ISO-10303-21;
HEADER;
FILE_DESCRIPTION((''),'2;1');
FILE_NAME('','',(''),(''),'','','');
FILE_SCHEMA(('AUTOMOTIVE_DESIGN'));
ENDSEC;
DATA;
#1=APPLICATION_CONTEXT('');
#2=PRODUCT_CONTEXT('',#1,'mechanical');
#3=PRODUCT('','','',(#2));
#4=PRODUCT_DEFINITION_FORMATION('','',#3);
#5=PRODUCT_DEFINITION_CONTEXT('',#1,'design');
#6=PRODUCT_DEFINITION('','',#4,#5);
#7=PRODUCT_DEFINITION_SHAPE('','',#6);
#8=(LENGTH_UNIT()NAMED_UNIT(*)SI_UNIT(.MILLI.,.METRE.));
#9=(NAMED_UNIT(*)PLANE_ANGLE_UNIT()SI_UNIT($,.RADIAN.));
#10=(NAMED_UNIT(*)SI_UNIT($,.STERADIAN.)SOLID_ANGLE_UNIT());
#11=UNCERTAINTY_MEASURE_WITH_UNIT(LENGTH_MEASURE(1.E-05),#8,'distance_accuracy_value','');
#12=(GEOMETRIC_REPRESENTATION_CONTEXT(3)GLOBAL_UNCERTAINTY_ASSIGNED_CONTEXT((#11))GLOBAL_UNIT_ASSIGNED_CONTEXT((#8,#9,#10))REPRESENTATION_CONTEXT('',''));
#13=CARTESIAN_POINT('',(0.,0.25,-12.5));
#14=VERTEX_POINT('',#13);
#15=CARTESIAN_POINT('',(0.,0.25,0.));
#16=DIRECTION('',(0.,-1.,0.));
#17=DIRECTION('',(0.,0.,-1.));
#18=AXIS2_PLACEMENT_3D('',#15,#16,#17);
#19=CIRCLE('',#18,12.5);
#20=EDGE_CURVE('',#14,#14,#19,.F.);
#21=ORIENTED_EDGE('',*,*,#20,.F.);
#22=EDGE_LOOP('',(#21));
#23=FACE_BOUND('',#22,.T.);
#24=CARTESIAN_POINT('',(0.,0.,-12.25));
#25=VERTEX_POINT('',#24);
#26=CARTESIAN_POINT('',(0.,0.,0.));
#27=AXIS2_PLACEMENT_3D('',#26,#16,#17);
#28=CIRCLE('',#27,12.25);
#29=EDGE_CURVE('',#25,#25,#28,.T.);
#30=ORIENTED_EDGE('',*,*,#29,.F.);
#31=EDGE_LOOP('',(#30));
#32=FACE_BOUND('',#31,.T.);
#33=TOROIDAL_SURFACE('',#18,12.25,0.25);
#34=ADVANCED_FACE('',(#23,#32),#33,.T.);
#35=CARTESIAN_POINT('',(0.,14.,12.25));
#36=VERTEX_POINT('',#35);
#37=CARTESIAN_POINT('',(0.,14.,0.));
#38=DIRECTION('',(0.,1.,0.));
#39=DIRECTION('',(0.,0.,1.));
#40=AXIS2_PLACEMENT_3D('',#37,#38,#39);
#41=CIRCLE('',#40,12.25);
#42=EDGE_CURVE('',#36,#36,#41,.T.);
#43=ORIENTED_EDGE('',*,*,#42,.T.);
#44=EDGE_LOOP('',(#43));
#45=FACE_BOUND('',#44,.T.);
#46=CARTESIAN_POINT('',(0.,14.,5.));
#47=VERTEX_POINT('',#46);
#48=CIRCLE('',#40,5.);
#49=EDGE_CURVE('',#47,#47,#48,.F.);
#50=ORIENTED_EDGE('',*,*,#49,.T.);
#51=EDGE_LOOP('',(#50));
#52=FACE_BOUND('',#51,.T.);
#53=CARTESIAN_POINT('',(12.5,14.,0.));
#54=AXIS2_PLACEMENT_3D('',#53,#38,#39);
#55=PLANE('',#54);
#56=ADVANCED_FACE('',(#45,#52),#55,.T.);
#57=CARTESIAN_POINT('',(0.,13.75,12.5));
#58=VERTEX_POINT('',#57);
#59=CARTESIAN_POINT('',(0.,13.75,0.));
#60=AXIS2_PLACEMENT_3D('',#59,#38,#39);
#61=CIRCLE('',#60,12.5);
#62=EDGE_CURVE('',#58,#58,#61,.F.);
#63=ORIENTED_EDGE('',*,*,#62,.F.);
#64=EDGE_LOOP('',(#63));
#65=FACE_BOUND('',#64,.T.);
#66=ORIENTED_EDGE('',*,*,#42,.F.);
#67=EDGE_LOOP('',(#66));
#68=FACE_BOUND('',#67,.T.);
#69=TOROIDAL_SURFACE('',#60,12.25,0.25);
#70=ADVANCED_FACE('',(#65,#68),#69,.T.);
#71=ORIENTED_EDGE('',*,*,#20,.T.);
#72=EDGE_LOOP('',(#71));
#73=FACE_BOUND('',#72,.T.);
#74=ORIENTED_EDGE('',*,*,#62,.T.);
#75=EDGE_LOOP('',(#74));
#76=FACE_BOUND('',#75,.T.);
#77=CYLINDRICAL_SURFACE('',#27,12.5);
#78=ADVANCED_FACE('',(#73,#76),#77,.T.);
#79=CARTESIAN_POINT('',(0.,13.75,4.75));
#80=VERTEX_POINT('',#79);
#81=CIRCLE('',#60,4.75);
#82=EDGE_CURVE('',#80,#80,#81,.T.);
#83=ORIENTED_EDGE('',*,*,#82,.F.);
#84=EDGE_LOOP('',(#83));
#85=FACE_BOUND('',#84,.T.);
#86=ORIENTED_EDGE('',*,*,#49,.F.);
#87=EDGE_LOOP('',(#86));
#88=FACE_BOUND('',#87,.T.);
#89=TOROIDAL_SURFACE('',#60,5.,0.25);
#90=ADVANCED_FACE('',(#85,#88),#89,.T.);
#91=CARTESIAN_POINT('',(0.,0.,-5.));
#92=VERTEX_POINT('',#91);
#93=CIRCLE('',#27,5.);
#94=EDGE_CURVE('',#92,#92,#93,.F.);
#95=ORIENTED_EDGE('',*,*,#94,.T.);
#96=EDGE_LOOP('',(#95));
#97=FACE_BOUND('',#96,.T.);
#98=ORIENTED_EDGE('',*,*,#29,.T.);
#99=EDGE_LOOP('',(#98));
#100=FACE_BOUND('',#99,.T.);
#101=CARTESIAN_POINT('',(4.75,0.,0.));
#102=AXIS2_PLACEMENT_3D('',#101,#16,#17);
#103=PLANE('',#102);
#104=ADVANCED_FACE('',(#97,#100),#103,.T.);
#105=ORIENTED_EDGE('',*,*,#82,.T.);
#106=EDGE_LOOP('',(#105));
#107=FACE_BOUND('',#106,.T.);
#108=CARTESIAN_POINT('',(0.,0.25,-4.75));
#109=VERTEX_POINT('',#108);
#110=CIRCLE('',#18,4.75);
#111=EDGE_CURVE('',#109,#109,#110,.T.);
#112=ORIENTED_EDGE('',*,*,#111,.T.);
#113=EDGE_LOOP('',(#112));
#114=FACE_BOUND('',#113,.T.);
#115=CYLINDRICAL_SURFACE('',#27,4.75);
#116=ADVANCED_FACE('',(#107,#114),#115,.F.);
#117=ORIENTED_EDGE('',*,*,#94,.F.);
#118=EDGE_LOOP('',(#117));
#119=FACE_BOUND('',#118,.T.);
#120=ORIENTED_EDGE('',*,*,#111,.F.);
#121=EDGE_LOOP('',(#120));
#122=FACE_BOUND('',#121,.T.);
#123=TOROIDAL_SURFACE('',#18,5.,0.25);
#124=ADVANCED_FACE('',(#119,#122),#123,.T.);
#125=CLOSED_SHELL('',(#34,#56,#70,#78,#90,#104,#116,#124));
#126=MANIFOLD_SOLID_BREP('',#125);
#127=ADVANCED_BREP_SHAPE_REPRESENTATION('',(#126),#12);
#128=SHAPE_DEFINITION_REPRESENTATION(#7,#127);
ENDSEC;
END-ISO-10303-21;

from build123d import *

# Parameters (mm, degrees)
SKETCH1_W = 7.75
SKETCH1_H = 14
FILLET1_R = 0.25


with BuildPart() as part:
    # Sketch1 → Revolve1 (revolve)
    with BuildSketch(Plane.XY):
        with Locations((8.625, 7)):
            Rectangle(SKETCH1_W, SKETCH1_H)
    revolve(axis=Axis((0, 0, 0), (0, 1, 0)))

    # Fillet1
    fillet1_edges = [part.edges().sort_by_distance(p)[0] for p in [
        (-4.75, 14, 0),
        (-12.5, 14, 0),
        (-12.5, 0, 0),
        (-4.75, 0, 0),
    ]]
    fillet(fillet1_edges, radius=FILLET1_R)


solid = part.part
